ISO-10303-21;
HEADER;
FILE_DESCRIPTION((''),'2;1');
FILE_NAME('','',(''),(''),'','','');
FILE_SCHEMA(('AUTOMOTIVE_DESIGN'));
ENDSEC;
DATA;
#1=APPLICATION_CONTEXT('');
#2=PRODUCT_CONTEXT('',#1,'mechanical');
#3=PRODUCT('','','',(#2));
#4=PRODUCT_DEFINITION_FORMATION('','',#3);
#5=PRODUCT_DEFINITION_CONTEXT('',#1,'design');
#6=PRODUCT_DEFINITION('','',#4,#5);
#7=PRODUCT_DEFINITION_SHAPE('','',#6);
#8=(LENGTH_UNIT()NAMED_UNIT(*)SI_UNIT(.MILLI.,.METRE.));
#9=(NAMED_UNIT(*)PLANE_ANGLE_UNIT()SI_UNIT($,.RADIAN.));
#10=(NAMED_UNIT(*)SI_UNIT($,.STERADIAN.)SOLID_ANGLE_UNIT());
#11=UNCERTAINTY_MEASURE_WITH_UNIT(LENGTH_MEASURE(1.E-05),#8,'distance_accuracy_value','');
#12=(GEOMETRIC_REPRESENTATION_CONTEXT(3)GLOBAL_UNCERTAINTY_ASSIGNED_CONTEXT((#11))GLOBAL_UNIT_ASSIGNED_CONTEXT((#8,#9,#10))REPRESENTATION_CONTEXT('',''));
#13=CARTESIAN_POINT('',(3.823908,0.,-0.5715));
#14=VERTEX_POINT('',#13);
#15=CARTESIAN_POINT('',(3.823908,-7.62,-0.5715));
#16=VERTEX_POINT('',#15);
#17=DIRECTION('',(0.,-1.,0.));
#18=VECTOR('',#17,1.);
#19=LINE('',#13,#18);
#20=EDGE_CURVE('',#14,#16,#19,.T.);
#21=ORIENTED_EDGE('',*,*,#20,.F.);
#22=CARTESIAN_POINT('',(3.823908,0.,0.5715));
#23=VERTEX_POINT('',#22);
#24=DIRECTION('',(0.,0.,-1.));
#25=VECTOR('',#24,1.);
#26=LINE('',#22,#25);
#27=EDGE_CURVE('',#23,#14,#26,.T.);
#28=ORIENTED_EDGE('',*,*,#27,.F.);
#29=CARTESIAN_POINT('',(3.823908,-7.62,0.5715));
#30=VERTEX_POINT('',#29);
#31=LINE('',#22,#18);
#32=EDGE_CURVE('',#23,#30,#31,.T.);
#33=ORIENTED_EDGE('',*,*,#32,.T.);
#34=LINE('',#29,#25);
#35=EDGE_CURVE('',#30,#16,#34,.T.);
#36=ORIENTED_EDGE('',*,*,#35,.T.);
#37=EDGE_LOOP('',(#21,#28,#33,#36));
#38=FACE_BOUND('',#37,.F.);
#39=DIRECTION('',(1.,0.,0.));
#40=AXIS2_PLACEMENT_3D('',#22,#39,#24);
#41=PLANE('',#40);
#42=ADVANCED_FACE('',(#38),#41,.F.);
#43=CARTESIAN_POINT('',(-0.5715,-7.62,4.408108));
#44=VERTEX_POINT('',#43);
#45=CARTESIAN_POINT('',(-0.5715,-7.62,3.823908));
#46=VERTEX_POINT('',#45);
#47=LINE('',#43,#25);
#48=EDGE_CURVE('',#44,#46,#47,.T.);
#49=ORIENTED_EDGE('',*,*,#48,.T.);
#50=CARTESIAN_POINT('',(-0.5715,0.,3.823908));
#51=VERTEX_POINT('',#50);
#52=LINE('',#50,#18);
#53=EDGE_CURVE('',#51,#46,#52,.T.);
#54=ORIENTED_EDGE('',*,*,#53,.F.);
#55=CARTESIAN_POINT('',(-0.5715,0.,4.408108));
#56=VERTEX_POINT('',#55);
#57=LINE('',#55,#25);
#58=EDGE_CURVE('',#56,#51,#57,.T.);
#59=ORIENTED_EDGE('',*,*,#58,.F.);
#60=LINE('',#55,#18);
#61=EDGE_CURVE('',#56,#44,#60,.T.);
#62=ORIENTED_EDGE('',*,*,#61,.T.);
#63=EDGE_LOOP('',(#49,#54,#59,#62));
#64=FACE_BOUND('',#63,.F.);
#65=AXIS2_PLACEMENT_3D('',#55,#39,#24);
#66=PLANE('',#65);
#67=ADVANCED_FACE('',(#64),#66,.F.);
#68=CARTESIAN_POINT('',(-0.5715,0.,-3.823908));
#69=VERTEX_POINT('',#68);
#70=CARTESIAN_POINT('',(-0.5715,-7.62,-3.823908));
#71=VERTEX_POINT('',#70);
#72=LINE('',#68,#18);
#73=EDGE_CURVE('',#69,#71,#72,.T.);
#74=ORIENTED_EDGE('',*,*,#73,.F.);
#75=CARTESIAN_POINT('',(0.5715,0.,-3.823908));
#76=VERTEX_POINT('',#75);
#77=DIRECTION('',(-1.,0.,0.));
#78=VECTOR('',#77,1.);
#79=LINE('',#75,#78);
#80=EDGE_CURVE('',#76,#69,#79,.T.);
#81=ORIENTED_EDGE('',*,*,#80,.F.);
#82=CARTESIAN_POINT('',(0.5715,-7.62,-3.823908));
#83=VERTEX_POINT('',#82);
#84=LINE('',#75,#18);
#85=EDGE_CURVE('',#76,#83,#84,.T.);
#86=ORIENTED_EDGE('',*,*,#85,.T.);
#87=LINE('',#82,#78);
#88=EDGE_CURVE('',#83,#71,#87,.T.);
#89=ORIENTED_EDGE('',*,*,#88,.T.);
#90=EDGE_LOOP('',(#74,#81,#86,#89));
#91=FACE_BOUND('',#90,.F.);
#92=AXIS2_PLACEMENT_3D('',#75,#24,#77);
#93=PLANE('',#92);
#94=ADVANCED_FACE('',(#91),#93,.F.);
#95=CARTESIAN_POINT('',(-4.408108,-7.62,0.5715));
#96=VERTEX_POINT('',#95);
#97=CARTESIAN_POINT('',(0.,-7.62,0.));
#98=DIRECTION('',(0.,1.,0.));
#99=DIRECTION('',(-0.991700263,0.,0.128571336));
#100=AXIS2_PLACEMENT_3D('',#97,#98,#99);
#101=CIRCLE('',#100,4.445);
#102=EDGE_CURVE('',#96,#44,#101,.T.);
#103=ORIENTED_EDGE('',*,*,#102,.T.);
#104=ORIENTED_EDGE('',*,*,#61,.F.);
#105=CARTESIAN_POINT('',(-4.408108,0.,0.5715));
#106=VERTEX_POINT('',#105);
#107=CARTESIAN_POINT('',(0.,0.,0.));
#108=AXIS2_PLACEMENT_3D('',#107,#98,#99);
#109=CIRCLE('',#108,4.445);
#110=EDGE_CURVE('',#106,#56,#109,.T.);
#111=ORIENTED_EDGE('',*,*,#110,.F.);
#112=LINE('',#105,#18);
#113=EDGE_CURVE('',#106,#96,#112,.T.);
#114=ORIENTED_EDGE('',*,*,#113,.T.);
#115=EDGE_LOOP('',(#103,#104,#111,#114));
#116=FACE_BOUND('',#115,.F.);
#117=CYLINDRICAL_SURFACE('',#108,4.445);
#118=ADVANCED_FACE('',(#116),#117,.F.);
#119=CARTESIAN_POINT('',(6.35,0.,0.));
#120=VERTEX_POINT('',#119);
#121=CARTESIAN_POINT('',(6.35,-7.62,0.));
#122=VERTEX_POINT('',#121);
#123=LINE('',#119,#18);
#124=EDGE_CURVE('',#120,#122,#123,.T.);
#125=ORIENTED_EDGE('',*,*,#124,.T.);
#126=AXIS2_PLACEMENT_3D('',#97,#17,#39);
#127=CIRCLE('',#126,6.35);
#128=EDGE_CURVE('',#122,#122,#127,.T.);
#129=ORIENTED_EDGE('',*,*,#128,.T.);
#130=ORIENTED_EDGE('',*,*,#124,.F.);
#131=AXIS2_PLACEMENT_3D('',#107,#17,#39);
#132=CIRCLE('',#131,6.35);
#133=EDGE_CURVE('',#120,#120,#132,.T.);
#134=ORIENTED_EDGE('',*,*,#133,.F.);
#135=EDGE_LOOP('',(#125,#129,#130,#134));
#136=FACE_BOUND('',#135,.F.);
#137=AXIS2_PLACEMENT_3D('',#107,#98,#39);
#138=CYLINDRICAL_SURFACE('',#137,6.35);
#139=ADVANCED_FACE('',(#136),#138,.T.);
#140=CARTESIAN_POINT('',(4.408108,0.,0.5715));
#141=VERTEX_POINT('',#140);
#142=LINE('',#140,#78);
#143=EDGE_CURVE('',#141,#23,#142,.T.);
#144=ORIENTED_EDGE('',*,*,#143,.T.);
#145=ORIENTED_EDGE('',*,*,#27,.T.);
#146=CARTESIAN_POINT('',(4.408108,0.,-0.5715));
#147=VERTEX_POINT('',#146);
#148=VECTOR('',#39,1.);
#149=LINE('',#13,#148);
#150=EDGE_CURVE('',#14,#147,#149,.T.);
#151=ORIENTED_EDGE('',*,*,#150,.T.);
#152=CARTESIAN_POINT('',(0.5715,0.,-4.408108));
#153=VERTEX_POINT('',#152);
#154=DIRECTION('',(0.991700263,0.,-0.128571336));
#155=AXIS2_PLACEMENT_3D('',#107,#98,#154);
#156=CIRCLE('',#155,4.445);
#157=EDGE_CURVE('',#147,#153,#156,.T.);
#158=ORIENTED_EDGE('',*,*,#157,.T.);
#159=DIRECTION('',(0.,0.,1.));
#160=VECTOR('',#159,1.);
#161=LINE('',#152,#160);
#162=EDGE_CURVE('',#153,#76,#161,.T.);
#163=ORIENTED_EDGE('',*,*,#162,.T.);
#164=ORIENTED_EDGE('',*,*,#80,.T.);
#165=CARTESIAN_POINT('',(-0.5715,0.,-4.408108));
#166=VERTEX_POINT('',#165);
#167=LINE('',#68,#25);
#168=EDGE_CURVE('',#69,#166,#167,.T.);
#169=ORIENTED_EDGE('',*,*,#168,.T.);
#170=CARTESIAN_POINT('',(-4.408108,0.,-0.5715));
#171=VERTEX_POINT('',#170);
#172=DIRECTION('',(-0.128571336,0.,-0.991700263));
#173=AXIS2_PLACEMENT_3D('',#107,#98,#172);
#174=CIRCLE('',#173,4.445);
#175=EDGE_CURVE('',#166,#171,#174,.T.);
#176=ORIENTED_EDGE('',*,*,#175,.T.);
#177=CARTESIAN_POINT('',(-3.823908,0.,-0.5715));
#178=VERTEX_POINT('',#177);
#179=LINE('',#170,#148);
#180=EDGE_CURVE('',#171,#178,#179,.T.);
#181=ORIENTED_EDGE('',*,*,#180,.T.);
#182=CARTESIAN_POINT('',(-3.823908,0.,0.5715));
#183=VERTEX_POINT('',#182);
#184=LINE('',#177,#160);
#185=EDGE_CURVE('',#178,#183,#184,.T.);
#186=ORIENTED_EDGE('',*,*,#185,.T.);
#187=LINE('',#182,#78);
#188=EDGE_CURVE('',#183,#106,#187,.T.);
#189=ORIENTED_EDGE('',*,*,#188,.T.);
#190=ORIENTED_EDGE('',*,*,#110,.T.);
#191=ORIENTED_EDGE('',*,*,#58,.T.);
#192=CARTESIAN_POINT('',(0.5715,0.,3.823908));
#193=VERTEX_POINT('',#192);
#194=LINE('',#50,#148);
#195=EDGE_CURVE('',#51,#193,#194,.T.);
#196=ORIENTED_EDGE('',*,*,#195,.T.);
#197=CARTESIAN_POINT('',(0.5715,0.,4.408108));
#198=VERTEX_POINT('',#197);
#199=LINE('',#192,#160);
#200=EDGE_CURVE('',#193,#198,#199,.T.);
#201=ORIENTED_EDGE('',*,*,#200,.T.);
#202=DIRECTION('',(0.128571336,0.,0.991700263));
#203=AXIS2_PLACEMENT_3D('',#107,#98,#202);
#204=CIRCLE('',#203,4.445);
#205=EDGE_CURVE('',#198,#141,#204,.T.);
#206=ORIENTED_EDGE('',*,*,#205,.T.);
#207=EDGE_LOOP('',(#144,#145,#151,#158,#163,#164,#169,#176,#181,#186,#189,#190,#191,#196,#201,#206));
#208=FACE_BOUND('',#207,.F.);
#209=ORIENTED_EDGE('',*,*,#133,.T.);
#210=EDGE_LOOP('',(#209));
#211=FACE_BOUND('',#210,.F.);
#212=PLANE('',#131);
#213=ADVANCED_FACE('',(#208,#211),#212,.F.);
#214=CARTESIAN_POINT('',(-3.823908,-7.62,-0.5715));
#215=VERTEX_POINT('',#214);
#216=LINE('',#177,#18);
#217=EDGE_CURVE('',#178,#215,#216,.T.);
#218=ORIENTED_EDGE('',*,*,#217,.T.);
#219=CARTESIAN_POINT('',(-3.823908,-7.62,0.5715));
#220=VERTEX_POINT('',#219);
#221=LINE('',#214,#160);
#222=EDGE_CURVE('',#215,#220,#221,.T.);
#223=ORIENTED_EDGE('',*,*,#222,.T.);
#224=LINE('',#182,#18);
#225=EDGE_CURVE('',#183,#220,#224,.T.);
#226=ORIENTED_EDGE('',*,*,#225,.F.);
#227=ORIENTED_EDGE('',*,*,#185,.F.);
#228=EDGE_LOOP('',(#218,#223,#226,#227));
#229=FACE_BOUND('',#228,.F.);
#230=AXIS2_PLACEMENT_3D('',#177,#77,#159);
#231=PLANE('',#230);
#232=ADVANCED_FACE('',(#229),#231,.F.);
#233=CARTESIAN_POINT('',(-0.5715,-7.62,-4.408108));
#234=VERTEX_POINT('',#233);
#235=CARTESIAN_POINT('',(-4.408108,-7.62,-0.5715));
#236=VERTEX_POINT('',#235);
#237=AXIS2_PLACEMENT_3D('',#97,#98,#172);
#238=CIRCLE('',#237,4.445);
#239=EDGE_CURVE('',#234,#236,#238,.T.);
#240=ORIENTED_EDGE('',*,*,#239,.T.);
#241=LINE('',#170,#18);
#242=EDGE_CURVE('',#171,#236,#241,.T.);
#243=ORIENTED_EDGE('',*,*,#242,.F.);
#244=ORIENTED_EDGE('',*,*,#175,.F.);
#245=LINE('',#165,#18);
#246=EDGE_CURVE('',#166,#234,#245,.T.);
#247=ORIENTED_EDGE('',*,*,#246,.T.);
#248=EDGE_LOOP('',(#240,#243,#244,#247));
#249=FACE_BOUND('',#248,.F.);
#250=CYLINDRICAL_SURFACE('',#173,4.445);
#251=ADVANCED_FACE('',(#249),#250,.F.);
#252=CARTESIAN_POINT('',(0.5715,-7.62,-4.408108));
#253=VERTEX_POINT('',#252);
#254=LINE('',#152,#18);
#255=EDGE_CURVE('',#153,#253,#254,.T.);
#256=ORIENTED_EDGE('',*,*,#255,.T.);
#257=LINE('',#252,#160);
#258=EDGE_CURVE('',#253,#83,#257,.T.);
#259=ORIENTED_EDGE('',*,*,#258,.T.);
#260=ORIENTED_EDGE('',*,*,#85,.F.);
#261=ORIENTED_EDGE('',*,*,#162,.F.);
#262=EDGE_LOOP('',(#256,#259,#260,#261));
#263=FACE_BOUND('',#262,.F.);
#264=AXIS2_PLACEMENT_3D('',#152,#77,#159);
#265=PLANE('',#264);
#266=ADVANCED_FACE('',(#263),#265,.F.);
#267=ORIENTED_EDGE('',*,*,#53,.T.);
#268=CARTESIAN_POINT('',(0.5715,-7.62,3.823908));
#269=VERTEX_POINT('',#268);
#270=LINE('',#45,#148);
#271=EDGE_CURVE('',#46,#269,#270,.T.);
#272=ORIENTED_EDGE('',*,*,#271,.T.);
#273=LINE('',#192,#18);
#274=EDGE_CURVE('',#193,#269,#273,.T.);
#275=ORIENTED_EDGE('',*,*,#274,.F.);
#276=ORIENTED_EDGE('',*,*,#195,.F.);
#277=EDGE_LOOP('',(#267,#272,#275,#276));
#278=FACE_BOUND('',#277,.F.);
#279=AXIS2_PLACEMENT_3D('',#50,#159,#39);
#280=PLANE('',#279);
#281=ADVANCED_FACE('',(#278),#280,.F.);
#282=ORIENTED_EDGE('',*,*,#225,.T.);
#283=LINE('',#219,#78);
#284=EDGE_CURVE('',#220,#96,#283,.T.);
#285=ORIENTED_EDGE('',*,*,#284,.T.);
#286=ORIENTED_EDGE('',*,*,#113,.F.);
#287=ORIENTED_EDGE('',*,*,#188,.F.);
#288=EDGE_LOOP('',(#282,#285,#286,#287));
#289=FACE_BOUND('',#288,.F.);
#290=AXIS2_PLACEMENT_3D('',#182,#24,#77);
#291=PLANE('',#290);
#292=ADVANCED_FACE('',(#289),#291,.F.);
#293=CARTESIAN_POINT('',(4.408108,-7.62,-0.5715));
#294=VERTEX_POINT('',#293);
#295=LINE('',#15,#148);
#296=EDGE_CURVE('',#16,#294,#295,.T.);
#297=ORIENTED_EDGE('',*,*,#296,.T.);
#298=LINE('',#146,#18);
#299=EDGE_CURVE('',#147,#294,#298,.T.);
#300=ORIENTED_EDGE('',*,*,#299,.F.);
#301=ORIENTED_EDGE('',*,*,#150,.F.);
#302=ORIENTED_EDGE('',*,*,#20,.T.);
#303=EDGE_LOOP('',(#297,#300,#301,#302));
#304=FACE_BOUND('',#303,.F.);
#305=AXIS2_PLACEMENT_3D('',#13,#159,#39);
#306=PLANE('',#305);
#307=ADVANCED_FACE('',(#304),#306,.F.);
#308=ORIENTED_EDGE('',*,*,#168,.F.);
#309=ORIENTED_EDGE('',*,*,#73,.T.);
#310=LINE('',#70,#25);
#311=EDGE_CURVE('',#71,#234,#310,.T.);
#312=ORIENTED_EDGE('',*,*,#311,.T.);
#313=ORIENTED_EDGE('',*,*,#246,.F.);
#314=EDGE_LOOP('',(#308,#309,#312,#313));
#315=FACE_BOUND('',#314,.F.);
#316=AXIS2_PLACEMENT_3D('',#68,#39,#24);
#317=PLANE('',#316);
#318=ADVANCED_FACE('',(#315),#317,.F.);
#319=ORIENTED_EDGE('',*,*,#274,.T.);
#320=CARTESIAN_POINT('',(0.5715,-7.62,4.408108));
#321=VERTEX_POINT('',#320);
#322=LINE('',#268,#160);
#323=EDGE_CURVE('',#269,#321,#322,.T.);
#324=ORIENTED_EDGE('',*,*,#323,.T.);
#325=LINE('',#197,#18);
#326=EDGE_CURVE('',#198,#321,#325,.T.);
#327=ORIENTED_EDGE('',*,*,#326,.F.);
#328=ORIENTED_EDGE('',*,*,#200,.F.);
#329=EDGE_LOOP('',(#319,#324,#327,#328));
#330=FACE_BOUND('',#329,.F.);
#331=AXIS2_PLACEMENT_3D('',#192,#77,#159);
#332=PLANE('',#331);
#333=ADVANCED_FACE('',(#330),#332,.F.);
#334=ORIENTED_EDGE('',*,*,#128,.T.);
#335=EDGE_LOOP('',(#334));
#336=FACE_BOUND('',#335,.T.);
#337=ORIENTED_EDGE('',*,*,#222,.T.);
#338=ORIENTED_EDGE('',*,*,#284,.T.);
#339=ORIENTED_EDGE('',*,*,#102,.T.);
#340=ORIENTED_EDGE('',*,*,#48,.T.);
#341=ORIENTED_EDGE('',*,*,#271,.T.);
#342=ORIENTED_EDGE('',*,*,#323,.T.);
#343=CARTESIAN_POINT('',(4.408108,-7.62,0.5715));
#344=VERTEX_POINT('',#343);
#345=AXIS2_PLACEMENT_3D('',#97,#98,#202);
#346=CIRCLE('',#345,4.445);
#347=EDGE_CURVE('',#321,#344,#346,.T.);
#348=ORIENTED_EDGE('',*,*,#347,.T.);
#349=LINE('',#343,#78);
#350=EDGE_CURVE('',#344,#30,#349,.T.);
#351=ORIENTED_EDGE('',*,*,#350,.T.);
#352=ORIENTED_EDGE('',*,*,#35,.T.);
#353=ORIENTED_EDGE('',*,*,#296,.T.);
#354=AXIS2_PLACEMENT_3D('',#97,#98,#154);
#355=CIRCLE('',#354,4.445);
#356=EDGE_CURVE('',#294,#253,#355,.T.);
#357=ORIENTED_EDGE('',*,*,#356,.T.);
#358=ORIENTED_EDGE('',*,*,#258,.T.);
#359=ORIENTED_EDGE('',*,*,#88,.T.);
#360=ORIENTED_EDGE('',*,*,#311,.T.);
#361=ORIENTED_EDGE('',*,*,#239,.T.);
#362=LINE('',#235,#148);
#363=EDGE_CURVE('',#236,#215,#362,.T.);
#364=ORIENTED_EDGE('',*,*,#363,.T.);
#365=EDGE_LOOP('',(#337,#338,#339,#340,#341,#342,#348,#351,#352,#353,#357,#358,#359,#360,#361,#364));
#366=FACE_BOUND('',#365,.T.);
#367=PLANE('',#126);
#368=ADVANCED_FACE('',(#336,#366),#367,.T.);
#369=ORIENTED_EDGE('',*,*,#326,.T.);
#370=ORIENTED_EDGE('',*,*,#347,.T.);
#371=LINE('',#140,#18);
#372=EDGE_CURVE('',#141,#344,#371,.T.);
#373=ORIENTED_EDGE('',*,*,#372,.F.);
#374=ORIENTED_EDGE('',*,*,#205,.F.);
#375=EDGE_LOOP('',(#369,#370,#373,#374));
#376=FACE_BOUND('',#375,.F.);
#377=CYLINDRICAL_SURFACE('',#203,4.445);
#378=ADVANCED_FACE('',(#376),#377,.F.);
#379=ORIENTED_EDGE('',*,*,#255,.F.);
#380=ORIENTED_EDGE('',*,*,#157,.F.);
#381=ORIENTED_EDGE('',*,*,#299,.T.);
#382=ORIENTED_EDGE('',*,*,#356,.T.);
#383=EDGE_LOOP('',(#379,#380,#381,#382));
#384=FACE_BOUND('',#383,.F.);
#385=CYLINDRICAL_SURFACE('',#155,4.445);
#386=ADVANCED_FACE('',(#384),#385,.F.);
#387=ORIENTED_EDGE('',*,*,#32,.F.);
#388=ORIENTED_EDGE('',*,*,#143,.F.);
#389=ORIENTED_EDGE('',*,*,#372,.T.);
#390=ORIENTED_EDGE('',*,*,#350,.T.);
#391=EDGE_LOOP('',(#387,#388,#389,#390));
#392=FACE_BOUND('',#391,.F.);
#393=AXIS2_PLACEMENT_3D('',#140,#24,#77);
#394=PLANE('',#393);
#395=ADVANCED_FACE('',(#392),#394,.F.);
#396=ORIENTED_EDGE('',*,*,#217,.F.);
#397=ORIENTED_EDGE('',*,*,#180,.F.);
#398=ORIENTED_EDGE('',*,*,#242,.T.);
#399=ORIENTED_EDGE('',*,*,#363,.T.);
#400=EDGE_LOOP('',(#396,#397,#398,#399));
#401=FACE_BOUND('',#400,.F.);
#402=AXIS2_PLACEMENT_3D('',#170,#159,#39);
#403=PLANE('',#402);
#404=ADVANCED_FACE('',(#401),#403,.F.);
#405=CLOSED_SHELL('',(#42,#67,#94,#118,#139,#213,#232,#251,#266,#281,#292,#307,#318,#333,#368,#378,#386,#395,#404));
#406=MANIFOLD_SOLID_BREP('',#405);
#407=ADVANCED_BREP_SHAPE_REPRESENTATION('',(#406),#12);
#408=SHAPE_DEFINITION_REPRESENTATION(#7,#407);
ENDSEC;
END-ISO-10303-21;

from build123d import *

# Parameters (mm, degrees)
F0_R     = 6.35
F1_DEPTH = 7.62


with BuildPart() as f1:
    # F0 (on Front) → F1 (new body)
    with BuildSketch(Plane.XZ):
        Circle(F0_R)
        with BuildLine():
            ThreePointArc((4.408108, 0.5715), (4.435767, 0.286345), (4.445, 0))
            ThreePointArc((4.445, 0), (4.435767, -0.286345), (4.408108, -0.5715))
            ThreePointArc((4.408108, -0.5715), (3.14309, -3.14309), (0.5715, -4.408108))
            ThreePointArc((0.5715, -4.408108), (0, -4.445), (-0.5715, -4.408108))
            ThreePointArc((-0.5715, -4.408108), (-3.14309, -3.14309), (-4.408108, -0.5715))
            ThreePointArc((-4.408108, -0.5715), (-4.445, 0), (-4.408108, 0.5715))
            ThreePointArc((-4.408108, 0.5715), (-3.14309, 3.14309), (-0.5715, 4.408108))
            ThreePointArc((-0.5715, 4.408108), (0, 4.445), (0.5715, 4.408108))
            ThreePointArc((0.5715, 4.408108), (3.14309, 3.14309), (4.408108, 0.5715))
        make_face(mode=Mode.SUBTRACT)
        with BuildLine():
            Line((0.5715, 3.823908), (0.5715, 4.408108))
            ThreePointArc((0.5715, 4.408108), (0, 4.445), (-0.5715, 4.408108))
            Line((-0.5715, 4.408108), (-0.5715, 3.823908))
            Line((-0.5715, 3.823908), (0.5715, 3.823908))
        make_face()
        with BuildLine():
            ThreePointArc((4.408108, -0.5715), (4.435767, -0.286345), (4.445, 0))
            ThreePointArc((4.445, 0), (4.435767, 0.286345), (4.408108, 0.5715))
            Line((4.408108, 0.5715), (3.823908, 0.5715))
            Line((3.823908, 0.5715), (3.823908, -0.5715))
            Line((3.823908, -0.5715), (4.408108, -0.5715))
        make_face()
        with BuildLine():
            ThreePointArc((-0.5715, -4.408108), (0, -4.445), (0.5715, -4.408108))
            Line((0.5715, -4.408108), (0.5715, -3.823908))
            Line((0.5715, -3.823908), (-0.5715, -3.823908))
            Line((-0.5715, -3.823908), (-0.5715, -4.408108))
        make_face()
        with BuildLine():
            Line((-3.823908, 0.5715), (-4.408108, 0.5715))
            ThreePointArc((-4.408108, 0.5715), (-4.445, 0), (-4.408108, -0.5715))
            Line((-4.408108, -0.5715), (-3.823908, -0.5715))
            Line((-3.823908, -0.5715), (-3.823908, 0.5715))
        make_face()
    extrude(amount=F1_DEPTH)


solid = f1.part
